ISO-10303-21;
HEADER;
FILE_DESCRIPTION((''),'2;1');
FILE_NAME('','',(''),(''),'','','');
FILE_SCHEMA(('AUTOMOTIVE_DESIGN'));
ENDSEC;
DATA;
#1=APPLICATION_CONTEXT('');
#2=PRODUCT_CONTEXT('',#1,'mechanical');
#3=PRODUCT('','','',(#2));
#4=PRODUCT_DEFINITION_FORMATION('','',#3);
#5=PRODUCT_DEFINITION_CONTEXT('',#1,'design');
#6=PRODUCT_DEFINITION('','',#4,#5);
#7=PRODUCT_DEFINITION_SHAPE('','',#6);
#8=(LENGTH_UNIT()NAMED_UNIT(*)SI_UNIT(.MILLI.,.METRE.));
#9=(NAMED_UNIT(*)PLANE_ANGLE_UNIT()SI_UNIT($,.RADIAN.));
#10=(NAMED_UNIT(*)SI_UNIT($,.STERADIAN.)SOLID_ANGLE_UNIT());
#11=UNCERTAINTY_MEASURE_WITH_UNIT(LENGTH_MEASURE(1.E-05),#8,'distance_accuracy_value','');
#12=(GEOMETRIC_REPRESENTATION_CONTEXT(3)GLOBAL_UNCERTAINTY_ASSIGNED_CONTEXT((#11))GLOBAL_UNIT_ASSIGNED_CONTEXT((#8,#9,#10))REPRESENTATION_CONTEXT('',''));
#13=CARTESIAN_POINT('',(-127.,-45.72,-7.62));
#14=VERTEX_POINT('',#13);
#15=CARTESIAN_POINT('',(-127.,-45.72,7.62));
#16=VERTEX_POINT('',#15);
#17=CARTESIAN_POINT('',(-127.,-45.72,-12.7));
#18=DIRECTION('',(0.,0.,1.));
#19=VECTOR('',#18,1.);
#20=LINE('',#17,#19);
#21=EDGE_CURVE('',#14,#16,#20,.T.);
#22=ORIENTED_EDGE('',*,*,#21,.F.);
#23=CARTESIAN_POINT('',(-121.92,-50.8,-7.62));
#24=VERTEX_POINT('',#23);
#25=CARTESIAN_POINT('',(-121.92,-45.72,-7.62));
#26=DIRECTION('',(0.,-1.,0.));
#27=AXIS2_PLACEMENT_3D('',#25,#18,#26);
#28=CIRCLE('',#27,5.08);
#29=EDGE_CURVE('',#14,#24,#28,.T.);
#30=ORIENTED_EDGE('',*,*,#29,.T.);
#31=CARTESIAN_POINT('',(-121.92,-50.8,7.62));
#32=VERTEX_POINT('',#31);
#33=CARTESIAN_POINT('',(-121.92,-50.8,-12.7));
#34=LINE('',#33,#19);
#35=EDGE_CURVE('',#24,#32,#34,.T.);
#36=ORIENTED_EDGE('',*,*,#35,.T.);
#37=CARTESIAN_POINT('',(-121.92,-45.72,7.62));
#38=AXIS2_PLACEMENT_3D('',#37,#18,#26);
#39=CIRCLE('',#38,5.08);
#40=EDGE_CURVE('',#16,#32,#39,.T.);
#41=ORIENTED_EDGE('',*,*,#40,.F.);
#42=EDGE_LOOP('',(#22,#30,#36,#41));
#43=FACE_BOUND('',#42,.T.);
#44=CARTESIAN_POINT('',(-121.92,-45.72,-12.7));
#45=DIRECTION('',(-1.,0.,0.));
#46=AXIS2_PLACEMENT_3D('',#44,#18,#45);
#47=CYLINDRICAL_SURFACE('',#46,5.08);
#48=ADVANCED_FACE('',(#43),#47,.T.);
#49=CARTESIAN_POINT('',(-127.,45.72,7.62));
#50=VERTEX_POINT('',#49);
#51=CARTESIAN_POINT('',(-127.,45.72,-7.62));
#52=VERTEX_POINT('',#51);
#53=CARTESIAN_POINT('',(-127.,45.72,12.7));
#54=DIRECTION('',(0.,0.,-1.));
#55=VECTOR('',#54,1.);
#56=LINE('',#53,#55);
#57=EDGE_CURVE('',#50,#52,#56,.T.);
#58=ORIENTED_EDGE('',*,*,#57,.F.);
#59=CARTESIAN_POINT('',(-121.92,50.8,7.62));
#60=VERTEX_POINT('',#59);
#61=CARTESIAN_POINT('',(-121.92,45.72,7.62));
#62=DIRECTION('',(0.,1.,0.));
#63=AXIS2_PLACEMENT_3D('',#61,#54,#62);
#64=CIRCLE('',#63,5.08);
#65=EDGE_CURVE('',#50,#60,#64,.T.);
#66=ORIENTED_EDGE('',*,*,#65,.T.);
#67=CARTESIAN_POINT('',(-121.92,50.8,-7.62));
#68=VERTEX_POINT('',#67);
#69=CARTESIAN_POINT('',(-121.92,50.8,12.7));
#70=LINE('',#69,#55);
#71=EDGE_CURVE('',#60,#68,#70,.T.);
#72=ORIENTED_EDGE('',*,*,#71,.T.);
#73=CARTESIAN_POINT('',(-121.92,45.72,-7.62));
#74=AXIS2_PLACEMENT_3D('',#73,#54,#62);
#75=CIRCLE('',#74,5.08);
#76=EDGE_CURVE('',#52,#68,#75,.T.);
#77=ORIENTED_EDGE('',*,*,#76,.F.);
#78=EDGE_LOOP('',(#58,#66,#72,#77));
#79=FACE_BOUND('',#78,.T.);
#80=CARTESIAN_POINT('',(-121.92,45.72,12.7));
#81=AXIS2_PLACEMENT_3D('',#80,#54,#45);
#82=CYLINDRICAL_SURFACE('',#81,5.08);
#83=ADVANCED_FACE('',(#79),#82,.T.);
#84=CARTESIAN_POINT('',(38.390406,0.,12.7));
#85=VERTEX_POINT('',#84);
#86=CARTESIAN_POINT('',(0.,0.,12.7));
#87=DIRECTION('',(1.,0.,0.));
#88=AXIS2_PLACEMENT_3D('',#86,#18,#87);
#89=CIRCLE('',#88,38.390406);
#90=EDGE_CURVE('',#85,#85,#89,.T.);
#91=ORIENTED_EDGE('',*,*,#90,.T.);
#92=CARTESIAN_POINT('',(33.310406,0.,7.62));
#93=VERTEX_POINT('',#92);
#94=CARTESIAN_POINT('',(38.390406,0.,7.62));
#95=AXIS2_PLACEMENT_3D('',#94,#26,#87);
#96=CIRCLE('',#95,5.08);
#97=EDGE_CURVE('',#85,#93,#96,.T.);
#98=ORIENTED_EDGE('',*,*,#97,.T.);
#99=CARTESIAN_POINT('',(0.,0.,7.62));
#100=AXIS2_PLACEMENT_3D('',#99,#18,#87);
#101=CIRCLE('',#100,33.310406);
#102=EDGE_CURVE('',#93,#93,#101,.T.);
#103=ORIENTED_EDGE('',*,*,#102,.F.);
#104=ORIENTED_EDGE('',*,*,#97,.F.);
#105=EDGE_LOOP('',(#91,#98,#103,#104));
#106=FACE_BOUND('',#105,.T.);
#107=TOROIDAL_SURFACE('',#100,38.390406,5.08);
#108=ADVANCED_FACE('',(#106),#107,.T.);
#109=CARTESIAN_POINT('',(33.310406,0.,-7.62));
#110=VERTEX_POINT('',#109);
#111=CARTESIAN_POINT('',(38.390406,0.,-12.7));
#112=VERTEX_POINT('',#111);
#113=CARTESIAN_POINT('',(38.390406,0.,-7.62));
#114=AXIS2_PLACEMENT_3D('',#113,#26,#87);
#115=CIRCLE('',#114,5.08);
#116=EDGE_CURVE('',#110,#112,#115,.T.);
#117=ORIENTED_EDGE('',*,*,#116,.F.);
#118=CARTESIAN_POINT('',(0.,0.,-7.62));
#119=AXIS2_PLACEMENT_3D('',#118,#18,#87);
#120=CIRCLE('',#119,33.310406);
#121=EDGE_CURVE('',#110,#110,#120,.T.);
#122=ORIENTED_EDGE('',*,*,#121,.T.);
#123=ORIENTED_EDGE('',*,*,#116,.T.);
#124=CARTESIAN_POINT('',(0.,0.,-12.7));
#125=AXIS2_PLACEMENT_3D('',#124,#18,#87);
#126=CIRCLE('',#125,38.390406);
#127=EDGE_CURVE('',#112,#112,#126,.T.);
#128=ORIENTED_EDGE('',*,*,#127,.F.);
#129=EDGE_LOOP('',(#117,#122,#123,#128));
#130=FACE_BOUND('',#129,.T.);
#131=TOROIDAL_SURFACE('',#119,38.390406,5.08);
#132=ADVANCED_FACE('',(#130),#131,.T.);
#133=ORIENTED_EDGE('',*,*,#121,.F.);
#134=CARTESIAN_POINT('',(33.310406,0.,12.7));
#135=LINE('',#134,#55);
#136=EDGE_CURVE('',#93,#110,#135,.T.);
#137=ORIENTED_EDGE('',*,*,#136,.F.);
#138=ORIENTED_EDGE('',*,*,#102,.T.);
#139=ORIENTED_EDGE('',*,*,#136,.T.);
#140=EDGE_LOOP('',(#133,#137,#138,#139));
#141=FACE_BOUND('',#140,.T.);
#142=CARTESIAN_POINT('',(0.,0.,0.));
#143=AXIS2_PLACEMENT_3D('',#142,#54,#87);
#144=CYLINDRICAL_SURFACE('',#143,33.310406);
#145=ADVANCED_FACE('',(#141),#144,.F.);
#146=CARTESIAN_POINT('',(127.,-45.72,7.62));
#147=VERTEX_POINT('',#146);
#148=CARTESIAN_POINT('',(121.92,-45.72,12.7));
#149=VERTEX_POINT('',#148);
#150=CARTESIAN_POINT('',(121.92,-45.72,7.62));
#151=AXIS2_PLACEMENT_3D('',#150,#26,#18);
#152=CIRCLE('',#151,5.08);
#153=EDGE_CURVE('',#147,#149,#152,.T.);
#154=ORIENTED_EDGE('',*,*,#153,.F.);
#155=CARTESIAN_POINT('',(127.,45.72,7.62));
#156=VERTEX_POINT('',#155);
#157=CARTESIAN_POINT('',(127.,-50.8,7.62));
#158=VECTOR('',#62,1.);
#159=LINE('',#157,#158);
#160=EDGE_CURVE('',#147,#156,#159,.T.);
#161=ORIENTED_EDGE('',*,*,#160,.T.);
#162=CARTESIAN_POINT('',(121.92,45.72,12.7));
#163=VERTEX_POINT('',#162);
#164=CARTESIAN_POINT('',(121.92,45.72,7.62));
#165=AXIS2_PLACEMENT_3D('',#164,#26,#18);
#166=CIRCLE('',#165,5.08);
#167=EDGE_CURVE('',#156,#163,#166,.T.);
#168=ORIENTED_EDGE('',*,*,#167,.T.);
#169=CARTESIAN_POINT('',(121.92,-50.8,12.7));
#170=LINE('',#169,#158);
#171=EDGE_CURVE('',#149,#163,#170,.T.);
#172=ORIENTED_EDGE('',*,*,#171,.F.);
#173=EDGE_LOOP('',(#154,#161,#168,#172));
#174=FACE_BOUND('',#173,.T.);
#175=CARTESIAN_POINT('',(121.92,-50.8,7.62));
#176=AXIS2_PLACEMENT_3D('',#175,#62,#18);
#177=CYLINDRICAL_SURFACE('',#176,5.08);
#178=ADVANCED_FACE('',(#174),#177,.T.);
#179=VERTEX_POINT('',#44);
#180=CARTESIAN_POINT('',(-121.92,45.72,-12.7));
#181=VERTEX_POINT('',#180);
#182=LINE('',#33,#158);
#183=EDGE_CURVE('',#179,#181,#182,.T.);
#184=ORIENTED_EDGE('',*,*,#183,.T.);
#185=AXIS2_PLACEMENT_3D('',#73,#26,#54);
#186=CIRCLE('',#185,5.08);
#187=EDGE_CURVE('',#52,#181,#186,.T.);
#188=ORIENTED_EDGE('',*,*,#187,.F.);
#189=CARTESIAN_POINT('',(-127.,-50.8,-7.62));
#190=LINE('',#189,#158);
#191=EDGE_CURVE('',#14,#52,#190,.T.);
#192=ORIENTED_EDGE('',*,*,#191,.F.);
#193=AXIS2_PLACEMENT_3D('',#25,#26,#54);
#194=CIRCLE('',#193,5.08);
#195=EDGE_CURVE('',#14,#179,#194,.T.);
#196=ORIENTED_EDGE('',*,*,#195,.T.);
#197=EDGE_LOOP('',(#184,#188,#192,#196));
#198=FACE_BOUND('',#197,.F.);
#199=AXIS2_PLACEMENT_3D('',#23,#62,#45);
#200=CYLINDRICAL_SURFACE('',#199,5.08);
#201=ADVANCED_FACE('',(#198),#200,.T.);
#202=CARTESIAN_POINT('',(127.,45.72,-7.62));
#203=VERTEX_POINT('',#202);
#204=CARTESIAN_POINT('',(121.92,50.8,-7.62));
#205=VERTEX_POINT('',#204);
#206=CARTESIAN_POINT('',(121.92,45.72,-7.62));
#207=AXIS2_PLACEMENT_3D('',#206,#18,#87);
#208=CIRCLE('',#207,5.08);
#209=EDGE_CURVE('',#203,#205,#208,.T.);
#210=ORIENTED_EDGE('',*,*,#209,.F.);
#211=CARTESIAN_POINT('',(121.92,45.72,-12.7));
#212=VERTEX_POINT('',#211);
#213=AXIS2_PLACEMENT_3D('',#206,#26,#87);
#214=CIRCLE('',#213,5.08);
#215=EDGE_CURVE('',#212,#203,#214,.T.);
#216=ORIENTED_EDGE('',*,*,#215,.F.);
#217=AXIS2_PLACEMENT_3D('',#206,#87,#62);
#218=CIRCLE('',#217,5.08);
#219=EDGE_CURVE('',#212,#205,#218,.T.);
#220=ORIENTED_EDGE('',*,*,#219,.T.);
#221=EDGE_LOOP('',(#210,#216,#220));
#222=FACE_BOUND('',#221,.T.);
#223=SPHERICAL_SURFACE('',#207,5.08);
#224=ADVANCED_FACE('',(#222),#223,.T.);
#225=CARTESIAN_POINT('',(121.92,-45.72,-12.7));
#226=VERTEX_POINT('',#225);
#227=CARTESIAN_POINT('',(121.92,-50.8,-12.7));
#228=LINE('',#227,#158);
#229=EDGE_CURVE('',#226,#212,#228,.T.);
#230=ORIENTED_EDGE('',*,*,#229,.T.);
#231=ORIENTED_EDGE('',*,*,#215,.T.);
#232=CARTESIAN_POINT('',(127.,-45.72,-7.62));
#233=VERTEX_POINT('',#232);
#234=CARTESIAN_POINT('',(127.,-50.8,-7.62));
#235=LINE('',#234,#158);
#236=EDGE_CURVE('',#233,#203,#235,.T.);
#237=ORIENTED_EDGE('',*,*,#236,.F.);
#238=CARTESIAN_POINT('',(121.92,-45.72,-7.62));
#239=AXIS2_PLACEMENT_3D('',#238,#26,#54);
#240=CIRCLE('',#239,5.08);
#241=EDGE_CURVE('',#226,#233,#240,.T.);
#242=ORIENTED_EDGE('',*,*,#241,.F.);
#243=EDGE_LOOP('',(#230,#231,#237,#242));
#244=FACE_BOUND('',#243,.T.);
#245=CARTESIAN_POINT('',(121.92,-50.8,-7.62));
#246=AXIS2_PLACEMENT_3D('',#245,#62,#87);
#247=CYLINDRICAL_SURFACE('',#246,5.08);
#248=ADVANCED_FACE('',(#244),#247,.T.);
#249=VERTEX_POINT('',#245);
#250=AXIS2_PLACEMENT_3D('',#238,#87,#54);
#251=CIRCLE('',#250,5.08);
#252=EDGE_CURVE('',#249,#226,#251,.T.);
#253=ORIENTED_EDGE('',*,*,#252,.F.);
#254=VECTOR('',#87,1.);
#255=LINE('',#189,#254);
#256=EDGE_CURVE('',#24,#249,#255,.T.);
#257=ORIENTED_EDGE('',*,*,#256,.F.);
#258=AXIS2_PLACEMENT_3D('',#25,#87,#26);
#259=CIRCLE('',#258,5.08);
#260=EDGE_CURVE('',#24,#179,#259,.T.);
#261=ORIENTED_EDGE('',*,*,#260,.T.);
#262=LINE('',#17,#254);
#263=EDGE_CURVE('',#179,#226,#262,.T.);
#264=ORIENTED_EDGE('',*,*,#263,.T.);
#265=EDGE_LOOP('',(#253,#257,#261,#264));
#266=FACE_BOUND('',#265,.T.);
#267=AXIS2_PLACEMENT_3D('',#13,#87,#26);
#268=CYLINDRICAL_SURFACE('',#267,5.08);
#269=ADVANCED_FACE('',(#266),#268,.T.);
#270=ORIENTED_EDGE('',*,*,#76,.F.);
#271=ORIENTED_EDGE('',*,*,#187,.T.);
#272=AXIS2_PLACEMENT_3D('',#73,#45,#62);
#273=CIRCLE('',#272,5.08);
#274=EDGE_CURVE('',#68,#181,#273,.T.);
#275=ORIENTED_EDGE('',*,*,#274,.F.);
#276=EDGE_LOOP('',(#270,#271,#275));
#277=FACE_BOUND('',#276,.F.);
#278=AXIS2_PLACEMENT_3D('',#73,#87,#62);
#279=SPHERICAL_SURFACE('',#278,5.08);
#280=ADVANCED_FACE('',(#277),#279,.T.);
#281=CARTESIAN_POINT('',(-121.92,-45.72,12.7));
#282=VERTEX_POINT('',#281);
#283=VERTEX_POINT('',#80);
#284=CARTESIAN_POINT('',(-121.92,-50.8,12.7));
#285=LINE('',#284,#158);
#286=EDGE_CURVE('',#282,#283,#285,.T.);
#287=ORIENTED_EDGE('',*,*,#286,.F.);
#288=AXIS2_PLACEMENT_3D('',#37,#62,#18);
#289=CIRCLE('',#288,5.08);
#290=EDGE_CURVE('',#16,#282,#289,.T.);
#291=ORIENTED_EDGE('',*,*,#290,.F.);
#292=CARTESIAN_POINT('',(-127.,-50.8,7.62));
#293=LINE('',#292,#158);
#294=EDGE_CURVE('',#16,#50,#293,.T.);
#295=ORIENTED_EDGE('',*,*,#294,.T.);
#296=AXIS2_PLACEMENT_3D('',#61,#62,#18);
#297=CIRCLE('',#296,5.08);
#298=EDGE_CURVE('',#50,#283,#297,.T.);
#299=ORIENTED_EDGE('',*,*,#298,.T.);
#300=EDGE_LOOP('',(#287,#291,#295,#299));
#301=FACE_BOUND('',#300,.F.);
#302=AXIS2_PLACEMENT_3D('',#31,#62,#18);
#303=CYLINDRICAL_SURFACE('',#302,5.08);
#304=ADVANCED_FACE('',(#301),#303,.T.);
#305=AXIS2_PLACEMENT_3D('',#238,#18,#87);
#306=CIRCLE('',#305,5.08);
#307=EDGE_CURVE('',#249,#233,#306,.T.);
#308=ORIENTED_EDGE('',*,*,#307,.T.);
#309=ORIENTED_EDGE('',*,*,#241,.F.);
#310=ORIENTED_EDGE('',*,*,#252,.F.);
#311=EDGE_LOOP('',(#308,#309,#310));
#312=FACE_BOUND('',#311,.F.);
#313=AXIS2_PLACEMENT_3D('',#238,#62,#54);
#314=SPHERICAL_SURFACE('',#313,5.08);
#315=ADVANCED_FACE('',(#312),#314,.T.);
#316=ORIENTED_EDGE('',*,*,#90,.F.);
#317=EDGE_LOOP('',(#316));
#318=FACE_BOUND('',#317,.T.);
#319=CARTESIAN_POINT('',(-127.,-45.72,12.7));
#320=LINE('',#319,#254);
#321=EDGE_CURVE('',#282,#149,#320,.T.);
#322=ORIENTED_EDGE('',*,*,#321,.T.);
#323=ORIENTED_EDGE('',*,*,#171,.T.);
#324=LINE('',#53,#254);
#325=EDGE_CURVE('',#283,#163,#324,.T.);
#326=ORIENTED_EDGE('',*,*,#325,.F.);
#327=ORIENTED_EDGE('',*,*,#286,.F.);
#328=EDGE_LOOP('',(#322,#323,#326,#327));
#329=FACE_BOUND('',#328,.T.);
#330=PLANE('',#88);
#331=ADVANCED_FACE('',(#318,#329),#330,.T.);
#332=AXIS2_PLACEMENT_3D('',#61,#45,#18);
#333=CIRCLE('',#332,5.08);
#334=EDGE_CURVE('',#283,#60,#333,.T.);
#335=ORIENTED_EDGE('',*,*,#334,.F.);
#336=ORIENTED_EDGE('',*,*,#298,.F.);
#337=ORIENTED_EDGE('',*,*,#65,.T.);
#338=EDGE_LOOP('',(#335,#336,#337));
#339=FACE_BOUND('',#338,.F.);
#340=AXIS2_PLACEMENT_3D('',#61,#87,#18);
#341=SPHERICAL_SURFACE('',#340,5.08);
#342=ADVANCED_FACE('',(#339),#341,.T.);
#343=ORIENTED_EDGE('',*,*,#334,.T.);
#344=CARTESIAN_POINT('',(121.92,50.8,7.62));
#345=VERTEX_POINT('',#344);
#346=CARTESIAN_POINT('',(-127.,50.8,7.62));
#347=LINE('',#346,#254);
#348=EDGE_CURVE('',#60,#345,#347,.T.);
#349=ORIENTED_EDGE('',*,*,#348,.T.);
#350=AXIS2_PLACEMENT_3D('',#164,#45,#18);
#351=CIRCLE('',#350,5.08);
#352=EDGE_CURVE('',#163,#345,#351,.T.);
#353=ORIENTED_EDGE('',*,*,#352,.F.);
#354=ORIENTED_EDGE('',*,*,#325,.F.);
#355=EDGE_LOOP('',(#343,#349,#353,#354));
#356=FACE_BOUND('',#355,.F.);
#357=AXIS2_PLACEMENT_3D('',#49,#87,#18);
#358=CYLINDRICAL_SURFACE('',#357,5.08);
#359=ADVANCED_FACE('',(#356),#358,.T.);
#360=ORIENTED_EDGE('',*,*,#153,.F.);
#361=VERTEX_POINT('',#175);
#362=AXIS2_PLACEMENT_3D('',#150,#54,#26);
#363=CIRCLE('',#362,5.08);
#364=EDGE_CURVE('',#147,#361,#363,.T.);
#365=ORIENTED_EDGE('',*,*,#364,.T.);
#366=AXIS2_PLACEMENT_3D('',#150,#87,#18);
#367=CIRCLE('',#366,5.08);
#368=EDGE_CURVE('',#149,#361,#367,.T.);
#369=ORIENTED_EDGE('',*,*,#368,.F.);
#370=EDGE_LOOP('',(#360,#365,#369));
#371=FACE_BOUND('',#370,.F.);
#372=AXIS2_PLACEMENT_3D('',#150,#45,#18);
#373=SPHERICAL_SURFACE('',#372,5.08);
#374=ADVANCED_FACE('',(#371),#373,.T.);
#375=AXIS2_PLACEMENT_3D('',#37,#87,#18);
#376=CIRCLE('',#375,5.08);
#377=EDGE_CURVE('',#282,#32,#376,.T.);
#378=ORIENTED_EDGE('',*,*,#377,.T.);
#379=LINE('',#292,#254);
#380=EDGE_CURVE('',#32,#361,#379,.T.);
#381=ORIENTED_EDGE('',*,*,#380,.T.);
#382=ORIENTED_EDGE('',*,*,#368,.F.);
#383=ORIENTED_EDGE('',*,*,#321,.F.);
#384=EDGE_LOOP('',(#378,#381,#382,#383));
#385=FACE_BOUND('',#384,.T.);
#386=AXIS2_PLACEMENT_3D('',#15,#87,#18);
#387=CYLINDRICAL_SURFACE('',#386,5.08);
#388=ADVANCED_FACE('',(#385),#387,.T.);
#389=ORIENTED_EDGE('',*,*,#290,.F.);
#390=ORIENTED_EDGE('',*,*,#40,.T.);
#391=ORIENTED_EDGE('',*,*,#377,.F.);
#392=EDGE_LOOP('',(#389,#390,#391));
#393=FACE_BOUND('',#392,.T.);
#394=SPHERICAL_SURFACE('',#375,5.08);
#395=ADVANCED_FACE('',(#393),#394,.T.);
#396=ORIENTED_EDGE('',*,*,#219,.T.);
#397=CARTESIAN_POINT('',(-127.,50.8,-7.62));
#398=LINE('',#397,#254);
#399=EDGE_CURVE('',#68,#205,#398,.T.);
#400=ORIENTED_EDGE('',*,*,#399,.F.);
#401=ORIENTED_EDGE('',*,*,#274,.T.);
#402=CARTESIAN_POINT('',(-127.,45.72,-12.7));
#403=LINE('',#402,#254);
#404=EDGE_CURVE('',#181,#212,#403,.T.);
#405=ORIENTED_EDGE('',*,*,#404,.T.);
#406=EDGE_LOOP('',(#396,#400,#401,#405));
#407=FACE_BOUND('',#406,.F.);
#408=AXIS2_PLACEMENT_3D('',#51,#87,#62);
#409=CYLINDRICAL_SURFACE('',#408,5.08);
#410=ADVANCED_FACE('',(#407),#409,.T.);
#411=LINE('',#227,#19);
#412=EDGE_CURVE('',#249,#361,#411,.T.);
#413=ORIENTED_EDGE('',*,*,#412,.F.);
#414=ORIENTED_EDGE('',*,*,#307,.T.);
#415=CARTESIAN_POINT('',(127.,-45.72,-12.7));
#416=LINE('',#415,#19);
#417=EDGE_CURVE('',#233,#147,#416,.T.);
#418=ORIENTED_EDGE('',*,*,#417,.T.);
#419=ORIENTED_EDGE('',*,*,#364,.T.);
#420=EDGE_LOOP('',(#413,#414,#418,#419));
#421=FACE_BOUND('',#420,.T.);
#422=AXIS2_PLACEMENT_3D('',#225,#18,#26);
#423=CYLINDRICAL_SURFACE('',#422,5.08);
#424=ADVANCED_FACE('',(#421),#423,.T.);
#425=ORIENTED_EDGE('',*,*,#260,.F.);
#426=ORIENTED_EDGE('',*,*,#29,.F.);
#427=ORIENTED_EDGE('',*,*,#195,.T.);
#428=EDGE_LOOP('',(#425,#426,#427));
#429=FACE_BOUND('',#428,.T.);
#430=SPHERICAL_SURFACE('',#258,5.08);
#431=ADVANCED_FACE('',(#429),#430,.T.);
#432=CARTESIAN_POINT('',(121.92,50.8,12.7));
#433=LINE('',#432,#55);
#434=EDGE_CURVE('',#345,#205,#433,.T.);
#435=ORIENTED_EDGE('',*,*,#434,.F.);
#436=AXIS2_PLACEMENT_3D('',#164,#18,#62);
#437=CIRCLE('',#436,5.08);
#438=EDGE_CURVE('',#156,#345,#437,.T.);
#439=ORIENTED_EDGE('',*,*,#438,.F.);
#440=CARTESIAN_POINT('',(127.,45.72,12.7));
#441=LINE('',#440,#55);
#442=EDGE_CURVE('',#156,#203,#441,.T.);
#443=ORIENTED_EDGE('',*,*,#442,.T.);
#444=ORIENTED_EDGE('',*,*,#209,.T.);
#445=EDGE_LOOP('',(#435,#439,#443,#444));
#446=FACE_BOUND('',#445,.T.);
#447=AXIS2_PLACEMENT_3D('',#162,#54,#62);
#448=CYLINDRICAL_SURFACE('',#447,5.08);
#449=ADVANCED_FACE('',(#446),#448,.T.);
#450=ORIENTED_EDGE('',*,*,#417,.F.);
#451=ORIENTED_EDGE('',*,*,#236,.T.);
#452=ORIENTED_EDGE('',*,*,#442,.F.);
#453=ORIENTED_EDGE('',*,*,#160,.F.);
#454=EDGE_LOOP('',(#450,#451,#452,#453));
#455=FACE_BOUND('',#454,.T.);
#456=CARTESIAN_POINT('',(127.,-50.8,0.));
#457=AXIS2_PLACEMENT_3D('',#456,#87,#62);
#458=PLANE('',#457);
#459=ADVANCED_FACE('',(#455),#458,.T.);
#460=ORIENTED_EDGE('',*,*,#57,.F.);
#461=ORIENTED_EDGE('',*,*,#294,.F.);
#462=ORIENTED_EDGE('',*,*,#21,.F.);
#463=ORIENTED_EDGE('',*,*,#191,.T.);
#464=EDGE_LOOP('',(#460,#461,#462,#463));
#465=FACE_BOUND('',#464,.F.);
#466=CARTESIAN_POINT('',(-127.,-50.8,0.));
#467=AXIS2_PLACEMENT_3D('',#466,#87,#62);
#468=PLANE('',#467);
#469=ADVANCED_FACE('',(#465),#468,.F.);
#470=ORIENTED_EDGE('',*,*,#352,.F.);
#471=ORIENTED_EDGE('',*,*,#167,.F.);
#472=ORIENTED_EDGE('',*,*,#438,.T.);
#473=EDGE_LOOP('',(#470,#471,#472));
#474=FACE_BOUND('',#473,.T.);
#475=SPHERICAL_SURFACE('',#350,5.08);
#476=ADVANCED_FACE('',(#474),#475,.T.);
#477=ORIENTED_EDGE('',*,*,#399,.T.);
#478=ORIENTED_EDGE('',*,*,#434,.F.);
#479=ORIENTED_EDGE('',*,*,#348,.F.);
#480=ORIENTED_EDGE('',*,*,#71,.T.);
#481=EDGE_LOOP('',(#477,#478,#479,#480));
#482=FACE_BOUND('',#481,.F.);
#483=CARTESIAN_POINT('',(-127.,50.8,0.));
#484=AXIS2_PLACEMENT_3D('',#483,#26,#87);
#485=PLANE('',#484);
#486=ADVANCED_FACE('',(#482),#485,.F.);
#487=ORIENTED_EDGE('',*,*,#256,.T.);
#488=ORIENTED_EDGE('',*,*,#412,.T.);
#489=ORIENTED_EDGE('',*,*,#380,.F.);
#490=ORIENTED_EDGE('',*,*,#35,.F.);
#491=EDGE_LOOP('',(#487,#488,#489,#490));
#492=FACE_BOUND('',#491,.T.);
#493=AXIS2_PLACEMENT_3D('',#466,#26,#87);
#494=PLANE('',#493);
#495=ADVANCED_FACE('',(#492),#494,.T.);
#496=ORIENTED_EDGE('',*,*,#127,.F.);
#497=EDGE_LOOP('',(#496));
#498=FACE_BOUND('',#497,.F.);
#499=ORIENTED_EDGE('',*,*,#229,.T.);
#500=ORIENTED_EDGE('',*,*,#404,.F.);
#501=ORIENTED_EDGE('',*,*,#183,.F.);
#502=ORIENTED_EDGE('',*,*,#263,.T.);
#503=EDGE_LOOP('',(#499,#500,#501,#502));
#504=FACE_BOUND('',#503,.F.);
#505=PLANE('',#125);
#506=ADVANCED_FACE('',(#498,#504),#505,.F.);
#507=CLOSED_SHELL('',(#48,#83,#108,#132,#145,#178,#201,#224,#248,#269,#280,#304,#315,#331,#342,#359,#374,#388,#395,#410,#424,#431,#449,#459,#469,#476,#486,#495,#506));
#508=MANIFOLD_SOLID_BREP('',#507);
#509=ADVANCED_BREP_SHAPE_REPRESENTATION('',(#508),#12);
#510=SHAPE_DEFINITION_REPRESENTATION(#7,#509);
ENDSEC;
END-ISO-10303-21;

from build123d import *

# Parameters (mm, degrees)
F0_W     = 254
F0_H     = 101.6
F0_R     = 33.310406
F1_DEPTH = 12.7
F2_R     = 5.08
F3_R     = 5.08


with BuildPart() as f1:
    # F0 (on Top) → F1 (new body, symmetric)
    with BuildSketch(Plane.XY):
        Rectangle(F0_W, F0_H)
        Circle(F0_R, mode=Mode.SUBTRACT)
    extrude(amount=F1_DEPTH, both=True)

    # F2
    f2_edges = [f1.edges().sort_by_distance(p)[0] for p in [
        (-33.310406, 0, 12.7),
    ]]
    fillet(f2_edges, radius=F2_R)

    # F3
    f3_edges = [f1.edges().sort_by_distance(p)[0] for p in [
        (0, -50.8, 12.7),
        (0, 50.8, 12.7),
        (-127, 0, 12.7),
        (127, 0, 12.7),
        (127, 50.8, 0),
        (127, 0, -12.7),
        (0, 50.8, -12.7),
        (0, -50.8, -12.7),
        (-33.310406, 0, -12.7),
        (127, -50.8, 0),
        (-127, -50.8, 0),
        (-127, 50.8, 0),
        (-127, 0, -12.7),
    ]]
    fillet(f3_edges, radius=F3_R)


solid = f1.part
